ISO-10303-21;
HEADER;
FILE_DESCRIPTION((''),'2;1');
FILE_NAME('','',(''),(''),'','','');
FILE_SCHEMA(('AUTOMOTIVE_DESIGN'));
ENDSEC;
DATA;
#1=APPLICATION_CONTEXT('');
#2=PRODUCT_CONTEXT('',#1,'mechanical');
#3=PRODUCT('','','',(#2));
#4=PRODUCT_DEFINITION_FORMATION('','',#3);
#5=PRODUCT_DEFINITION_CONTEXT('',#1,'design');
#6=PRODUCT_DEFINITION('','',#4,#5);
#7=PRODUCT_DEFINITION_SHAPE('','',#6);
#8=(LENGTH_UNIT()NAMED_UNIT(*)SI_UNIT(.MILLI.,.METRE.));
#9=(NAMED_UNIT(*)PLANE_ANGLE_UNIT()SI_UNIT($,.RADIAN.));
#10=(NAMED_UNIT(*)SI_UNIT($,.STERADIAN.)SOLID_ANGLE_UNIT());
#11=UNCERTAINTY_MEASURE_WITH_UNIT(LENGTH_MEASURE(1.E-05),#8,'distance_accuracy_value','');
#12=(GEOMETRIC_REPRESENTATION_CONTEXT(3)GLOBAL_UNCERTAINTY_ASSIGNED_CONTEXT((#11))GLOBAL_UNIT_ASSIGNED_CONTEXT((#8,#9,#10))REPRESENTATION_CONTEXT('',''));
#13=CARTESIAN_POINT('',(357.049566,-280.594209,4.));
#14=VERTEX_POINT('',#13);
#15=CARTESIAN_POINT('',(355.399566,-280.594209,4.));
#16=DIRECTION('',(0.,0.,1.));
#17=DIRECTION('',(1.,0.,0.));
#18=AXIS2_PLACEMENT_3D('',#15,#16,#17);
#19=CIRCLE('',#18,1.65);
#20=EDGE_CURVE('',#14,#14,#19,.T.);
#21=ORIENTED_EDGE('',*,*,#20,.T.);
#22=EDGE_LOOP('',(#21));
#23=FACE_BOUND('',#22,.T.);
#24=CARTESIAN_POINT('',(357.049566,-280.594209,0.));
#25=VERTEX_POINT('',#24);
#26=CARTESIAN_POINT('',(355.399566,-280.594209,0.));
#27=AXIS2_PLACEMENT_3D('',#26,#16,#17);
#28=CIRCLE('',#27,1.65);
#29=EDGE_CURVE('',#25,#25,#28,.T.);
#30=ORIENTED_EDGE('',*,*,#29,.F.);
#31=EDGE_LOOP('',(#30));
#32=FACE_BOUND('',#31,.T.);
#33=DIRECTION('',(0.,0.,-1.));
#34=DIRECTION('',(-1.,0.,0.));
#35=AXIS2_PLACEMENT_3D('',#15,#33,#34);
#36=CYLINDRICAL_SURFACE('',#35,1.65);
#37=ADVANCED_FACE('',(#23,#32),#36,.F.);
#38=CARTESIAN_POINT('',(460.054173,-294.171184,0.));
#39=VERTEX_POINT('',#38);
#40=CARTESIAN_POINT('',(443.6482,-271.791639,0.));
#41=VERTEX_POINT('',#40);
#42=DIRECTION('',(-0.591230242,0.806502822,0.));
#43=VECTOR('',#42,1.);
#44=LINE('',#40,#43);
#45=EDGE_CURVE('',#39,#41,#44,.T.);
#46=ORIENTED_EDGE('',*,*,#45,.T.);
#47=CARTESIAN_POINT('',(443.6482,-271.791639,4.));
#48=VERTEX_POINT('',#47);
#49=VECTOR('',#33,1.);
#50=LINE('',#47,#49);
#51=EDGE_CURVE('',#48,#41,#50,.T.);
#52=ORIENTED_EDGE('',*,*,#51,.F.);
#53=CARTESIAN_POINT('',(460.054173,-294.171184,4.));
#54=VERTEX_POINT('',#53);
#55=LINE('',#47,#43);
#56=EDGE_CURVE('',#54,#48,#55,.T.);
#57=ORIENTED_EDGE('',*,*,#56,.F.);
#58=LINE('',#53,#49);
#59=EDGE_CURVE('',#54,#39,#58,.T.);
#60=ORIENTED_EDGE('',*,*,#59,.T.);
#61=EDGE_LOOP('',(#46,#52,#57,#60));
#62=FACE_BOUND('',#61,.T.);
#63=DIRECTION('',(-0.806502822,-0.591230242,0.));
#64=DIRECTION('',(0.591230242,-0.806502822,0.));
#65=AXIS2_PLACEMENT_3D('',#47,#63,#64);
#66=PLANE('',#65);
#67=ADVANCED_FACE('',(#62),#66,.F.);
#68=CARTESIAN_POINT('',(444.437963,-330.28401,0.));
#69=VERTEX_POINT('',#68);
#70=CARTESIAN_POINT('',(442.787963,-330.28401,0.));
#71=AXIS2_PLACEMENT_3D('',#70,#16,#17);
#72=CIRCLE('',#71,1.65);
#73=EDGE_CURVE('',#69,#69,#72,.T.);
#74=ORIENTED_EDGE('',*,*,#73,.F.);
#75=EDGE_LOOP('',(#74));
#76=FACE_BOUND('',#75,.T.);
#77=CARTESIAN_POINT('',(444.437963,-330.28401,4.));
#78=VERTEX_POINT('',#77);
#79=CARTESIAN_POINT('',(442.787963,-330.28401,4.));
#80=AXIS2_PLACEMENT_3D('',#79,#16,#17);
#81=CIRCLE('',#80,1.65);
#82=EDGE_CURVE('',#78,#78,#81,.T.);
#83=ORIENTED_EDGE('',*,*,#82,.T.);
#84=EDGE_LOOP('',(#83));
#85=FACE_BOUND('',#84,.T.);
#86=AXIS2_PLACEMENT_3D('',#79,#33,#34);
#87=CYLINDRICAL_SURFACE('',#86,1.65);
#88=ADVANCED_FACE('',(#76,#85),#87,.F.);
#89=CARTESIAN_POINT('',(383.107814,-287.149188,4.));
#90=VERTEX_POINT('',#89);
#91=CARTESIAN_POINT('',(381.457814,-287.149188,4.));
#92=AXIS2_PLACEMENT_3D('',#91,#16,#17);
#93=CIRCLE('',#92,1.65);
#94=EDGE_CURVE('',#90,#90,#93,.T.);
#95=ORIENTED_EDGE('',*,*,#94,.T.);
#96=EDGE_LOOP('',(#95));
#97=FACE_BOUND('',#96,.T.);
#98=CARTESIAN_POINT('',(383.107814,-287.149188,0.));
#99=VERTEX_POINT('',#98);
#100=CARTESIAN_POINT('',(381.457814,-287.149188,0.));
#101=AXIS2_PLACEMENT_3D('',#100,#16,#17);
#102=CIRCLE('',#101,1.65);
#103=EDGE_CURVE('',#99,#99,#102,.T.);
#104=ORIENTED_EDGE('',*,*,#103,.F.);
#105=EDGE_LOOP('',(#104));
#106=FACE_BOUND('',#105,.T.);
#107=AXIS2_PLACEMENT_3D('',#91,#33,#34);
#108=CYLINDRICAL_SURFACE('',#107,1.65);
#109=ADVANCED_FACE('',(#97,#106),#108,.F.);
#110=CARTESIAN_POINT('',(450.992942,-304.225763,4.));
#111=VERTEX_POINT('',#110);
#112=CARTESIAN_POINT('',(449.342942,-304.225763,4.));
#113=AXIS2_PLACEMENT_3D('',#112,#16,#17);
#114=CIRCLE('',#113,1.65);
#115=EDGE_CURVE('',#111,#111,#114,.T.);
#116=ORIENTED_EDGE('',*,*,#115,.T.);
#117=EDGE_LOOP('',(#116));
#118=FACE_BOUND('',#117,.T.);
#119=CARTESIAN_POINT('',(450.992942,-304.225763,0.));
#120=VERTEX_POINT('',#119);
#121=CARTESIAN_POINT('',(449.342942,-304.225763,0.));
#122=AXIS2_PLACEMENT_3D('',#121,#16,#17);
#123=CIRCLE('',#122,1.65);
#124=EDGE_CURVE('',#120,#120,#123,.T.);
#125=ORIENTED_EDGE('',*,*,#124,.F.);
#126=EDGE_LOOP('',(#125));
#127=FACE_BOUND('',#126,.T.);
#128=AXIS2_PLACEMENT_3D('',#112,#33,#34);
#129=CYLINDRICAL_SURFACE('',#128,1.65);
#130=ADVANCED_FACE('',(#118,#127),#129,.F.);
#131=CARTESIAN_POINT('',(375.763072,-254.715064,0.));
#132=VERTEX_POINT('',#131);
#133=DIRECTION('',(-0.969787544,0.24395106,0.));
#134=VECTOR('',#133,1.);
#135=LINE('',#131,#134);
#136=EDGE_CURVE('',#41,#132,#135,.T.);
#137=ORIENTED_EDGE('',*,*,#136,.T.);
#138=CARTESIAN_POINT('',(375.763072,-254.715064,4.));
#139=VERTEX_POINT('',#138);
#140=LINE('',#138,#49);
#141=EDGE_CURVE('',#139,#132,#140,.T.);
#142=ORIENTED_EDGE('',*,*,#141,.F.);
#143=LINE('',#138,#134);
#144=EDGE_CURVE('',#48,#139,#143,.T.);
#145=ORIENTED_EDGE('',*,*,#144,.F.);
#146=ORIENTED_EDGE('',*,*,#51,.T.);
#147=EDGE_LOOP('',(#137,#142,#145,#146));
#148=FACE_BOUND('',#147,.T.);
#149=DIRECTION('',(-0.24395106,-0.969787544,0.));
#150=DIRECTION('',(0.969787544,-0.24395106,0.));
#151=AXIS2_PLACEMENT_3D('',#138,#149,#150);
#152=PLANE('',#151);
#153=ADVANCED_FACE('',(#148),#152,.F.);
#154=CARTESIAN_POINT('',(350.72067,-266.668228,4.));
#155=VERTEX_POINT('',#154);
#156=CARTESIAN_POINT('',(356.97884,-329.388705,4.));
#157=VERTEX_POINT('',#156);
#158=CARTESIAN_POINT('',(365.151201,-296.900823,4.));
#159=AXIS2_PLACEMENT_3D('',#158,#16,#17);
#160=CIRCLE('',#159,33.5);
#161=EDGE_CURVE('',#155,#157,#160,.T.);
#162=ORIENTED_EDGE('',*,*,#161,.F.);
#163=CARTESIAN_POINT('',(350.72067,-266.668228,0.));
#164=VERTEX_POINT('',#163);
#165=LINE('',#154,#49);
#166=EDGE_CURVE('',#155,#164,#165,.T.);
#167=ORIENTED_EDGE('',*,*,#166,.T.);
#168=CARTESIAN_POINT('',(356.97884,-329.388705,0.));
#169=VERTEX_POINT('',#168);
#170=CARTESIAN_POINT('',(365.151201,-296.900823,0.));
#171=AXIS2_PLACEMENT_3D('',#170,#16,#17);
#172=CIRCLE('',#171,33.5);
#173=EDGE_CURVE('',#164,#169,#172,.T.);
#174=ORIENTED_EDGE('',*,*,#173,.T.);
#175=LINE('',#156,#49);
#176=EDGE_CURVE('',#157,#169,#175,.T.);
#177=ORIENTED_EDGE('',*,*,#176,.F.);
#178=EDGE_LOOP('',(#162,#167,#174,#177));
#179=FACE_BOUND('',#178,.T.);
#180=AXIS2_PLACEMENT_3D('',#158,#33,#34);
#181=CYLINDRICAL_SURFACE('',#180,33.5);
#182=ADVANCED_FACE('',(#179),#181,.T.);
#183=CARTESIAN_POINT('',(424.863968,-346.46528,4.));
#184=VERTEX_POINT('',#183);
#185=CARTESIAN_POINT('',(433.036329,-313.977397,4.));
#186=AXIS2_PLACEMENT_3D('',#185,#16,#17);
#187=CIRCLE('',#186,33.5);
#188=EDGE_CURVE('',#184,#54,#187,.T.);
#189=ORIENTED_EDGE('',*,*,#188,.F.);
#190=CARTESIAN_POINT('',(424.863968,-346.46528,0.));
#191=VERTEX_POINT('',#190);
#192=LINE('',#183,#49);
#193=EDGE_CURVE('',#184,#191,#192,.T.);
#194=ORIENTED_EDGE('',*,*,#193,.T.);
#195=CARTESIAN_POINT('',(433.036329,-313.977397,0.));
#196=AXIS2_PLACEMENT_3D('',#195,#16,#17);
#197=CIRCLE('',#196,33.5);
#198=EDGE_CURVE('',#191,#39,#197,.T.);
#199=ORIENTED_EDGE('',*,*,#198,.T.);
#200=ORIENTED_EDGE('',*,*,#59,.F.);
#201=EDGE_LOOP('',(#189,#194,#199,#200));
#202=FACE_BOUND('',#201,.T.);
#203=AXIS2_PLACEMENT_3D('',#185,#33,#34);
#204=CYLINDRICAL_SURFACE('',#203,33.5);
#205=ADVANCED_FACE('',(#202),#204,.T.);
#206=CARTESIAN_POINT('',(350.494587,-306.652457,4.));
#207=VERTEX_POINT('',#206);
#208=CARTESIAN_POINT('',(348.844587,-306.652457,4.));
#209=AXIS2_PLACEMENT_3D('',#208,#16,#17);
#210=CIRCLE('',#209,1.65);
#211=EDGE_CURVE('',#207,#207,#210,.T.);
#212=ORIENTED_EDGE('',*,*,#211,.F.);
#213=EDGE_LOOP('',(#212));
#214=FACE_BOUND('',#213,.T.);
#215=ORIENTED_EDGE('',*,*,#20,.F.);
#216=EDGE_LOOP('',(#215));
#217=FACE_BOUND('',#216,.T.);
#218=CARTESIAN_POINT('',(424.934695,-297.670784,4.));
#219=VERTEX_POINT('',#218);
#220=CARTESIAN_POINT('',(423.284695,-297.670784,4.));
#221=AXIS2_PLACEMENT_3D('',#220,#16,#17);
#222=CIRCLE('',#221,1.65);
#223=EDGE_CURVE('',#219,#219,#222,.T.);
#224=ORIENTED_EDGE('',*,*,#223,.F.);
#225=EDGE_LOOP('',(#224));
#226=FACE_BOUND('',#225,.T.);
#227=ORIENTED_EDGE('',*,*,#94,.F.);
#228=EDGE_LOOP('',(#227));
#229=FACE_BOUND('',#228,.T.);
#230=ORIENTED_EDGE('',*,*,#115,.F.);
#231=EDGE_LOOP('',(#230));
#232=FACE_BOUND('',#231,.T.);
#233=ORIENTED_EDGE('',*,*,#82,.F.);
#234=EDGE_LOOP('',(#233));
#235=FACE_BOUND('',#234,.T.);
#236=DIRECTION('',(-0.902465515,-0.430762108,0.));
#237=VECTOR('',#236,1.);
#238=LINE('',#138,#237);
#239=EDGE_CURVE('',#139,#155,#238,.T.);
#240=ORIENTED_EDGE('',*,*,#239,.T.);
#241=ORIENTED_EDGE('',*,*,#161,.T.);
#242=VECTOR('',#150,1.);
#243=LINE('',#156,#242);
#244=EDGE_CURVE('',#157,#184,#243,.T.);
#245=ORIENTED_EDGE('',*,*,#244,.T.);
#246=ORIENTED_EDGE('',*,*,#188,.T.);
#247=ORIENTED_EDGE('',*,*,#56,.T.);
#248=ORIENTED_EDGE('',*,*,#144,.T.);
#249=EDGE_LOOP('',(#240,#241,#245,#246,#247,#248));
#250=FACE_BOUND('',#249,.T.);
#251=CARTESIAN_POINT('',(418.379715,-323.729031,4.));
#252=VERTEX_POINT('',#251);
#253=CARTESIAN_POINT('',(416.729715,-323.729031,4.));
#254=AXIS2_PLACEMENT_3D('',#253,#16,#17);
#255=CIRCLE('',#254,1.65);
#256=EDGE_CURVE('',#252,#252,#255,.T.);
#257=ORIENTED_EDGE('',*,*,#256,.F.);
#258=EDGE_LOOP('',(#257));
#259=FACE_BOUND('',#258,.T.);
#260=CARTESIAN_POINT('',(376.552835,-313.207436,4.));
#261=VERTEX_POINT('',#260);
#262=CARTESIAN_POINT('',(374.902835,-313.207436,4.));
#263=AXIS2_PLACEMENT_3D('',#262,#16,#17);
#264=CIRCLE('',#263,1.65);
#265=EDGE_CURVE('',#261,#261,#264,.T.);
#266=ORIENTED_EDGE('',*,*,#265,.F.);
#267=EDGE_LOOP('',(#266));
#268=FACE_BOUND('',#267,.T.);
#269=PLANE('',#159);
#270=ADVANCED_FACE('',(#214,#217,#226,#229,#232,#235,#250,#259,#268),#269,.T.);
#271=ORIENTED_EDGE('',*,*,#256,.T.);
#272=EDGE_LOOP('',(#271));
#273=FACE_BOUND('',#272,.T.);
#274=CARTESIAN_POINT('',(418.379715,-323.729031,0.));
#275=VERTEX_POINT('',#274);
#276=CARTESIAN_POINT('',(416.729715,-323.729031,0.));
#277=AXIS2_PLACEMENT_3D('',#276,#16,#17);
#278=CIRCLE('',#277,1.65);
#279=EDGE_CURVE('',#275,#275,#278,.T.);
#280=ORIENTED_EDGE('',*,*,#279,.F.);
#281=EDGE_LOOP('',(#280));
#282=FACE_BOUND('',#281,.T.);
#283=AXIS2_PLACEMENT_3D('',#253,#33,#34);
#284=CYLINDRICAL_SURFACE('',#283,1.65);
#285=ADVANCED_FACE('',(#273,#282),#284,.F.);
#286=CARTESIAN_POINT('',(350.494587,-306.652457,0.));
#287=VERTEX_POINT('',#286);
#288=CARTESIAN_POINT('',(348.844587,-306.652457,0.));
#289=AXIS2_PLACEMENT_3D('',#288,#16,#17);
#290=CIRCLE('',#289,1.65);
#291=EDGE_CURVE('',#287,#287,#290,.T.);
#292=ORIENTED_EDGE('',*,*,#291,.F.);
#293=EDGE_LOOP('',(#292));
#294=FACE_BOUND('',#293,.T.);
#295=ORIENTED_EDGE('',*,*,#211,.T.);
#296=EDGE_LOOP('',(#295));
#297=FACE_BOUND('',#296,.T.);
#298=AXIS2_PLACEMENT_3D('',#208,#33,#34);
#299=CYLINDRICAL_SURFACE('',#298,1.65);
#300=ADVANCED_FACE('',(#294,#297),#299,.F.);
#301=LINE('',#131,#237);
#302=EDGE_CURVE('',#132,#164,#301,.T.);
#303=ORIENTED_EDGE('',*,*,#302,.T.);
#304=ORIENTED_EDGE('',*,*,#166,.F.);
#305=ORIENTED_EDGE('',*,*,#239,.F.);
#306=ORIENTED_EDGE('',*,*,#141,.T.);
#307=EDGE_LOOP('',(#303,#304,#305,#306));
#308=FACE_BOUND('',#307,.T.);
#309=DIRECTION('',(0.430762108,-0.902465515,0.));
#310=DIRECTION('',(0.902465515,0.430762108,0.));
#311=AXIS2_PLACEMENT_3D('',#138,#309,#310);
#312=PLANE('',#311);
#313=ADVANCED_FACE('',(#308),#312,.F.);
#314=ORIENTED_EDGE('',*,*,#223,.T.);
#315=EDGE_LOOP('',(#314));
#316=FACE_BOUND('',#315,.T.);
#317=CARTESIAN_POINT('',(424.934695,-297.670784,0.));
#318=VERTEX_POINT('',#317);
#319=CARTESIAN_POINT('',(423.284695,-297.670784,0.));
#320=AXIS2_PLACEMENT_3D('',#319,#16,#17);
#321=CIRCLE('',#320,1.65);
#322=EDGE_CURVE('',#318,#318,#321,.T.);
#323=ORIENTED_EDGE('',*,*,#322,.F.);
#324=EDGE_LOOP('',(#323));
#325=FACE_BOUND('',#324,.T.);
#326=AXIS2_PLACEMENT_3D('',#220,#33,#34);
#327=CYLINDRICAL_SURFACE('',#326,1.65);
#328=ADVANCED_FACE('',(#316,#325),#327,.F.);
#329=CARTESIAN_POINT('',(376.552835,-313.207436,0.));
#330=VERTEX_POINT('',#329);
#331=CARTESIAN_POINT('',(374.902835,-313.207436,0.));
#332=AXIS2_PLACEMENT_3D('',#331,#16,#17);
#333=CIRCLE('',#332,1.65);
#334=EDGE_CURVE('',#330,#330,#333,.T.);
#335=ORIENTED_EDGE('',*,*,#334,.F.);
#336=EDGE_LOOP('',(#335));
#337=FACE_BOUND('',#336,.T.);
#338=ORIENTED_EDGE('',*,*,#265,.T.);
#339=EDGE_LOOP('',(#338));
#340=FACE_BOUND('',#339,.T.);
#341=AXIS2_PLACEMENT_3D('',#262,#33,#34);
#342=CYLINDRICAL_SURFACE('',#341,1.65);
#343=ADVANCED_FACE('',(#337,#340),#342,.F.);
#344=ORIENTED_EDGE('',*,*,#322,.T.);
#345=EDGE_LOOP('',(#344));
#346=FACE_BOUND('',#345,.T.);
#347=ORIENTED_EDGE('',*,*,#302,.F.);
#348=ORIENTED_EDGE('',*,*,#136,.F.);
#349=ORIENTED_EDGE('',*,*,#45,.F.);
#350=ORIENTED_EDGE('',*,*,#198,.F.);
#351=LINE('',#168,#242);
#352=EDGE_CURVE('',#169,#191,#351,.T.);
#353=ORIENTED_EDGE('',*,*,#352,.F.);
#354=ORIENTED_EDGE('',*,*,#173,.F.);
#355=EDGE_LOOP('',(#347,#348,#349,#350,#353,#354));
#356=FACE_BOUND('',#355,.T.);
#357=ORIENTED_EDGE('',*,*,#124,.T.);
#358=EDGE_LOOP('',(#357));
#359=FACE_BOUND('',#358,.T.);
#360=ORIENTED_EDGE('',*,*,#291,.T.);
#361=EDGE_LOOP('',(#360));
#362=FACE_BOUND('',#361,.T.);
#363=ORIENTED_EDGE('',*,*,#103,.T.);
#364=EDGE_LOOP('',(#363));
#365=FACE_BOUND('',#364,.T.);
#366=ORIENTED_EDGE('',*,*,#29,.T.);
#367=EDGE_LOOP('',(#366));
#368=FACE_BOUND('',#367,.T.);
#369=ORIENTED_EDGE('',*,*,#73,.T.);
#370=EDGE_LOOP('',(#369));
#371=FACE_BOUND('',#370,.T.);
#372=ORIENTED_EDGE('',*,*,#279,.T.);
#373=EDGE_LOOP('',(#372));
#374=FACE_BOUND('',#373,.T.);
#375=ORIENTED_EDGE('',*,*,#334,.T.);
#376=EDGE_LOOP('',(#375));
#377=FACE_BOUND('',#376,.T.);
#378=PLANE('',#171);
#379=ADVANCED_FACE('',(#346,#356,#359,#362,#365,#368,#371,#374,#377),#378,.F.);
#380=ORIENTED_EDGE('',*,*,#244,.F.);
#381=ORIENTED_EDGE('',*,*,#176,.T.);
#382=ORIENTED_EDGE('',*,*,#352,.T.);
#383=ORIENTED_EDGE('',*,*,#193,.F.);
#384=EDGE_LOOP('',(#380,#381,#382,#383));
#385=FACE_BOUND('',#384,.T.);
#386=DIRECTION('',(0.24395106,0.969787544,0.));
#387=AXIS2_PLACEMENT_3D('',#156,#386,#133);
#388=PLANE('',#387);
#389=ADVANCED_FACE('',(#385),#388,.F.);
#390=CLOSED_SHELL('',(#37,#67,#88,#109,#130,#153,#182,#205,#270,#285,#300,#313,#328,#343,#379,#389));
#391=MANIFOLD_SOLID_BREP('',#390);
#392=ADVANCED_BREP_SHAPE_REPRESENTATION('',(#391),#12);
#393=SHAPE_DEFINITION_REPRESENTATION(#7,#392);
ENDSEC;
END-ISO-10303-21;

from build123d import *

# Parameters (mm, degrees)
SKETCH_1_R      = 1.65
EXTRUDE_1_DEPTH = 4


with BuildPart() as part:
    # 草图1 → 凸台-拉伸1 (new body)
    with BuildSketch(Plane.XY):
        with BuildLine():
            Line((356.978840025, -329.388705272), (424.86396809, -346.465279506))
            ThreePointArc((424.86396809, -346.465279506), (460.82942454, -332.680172491), (460.054173141, -294.171183692))
            Line((460.054173141, -294.171183692), (443.648199748, -271.791638634))
            Line((443.648199748, -271.791638634), (375.763071682, -254.7150644))
            Line((375.763071682, -254.7150644), (350.72066994, -266.668227789))
            ThreePointArc((350.72066994, -266.668227789), (331.816725216, -300.226894433), (356.978840025, -329.388705272))
        make_face()
        with Locations((355.399566463, -280.594209399)):
            Circle(SKETCH_1_R, mode=Mode.SUBTRACT)
        with Locations((381.457813707, -287.149188467)):
            Circle(SKETCH_1_R, mode=Mode.SUBTRACT)
        with Locations((348.844587395, -306.652456643)):
            Circle(SKETCH_1_R, mode=Mode.SUBTRACT)
        with Locations((374.902834639, -313.207435711)):
            Circle(SKETCH_1_R, mode=Mode.SUBTRACT)
        with Locations((423.284694528, -297.670783633)):
            Circle(SKETCH_1_R, mode=Mode.SUBTRACT)
        with Locations((449.342941772, -304.225762701)):
            Circle(SKETCH_1_R, mode=Mode.SUBTRACT)
        with Locations((416.729715461, -323.729030877)):
            Circle(SKETCH_1_R, mode=Mode.SUBTRACT)
        with Locations((442.787962705, -330.284009945)):
            Circle(SKETCH_1_R, mode=Mode.SUBTRACT)
    extrude(amount=EXTRUDE_1_DEPTH)


solid = part.part
